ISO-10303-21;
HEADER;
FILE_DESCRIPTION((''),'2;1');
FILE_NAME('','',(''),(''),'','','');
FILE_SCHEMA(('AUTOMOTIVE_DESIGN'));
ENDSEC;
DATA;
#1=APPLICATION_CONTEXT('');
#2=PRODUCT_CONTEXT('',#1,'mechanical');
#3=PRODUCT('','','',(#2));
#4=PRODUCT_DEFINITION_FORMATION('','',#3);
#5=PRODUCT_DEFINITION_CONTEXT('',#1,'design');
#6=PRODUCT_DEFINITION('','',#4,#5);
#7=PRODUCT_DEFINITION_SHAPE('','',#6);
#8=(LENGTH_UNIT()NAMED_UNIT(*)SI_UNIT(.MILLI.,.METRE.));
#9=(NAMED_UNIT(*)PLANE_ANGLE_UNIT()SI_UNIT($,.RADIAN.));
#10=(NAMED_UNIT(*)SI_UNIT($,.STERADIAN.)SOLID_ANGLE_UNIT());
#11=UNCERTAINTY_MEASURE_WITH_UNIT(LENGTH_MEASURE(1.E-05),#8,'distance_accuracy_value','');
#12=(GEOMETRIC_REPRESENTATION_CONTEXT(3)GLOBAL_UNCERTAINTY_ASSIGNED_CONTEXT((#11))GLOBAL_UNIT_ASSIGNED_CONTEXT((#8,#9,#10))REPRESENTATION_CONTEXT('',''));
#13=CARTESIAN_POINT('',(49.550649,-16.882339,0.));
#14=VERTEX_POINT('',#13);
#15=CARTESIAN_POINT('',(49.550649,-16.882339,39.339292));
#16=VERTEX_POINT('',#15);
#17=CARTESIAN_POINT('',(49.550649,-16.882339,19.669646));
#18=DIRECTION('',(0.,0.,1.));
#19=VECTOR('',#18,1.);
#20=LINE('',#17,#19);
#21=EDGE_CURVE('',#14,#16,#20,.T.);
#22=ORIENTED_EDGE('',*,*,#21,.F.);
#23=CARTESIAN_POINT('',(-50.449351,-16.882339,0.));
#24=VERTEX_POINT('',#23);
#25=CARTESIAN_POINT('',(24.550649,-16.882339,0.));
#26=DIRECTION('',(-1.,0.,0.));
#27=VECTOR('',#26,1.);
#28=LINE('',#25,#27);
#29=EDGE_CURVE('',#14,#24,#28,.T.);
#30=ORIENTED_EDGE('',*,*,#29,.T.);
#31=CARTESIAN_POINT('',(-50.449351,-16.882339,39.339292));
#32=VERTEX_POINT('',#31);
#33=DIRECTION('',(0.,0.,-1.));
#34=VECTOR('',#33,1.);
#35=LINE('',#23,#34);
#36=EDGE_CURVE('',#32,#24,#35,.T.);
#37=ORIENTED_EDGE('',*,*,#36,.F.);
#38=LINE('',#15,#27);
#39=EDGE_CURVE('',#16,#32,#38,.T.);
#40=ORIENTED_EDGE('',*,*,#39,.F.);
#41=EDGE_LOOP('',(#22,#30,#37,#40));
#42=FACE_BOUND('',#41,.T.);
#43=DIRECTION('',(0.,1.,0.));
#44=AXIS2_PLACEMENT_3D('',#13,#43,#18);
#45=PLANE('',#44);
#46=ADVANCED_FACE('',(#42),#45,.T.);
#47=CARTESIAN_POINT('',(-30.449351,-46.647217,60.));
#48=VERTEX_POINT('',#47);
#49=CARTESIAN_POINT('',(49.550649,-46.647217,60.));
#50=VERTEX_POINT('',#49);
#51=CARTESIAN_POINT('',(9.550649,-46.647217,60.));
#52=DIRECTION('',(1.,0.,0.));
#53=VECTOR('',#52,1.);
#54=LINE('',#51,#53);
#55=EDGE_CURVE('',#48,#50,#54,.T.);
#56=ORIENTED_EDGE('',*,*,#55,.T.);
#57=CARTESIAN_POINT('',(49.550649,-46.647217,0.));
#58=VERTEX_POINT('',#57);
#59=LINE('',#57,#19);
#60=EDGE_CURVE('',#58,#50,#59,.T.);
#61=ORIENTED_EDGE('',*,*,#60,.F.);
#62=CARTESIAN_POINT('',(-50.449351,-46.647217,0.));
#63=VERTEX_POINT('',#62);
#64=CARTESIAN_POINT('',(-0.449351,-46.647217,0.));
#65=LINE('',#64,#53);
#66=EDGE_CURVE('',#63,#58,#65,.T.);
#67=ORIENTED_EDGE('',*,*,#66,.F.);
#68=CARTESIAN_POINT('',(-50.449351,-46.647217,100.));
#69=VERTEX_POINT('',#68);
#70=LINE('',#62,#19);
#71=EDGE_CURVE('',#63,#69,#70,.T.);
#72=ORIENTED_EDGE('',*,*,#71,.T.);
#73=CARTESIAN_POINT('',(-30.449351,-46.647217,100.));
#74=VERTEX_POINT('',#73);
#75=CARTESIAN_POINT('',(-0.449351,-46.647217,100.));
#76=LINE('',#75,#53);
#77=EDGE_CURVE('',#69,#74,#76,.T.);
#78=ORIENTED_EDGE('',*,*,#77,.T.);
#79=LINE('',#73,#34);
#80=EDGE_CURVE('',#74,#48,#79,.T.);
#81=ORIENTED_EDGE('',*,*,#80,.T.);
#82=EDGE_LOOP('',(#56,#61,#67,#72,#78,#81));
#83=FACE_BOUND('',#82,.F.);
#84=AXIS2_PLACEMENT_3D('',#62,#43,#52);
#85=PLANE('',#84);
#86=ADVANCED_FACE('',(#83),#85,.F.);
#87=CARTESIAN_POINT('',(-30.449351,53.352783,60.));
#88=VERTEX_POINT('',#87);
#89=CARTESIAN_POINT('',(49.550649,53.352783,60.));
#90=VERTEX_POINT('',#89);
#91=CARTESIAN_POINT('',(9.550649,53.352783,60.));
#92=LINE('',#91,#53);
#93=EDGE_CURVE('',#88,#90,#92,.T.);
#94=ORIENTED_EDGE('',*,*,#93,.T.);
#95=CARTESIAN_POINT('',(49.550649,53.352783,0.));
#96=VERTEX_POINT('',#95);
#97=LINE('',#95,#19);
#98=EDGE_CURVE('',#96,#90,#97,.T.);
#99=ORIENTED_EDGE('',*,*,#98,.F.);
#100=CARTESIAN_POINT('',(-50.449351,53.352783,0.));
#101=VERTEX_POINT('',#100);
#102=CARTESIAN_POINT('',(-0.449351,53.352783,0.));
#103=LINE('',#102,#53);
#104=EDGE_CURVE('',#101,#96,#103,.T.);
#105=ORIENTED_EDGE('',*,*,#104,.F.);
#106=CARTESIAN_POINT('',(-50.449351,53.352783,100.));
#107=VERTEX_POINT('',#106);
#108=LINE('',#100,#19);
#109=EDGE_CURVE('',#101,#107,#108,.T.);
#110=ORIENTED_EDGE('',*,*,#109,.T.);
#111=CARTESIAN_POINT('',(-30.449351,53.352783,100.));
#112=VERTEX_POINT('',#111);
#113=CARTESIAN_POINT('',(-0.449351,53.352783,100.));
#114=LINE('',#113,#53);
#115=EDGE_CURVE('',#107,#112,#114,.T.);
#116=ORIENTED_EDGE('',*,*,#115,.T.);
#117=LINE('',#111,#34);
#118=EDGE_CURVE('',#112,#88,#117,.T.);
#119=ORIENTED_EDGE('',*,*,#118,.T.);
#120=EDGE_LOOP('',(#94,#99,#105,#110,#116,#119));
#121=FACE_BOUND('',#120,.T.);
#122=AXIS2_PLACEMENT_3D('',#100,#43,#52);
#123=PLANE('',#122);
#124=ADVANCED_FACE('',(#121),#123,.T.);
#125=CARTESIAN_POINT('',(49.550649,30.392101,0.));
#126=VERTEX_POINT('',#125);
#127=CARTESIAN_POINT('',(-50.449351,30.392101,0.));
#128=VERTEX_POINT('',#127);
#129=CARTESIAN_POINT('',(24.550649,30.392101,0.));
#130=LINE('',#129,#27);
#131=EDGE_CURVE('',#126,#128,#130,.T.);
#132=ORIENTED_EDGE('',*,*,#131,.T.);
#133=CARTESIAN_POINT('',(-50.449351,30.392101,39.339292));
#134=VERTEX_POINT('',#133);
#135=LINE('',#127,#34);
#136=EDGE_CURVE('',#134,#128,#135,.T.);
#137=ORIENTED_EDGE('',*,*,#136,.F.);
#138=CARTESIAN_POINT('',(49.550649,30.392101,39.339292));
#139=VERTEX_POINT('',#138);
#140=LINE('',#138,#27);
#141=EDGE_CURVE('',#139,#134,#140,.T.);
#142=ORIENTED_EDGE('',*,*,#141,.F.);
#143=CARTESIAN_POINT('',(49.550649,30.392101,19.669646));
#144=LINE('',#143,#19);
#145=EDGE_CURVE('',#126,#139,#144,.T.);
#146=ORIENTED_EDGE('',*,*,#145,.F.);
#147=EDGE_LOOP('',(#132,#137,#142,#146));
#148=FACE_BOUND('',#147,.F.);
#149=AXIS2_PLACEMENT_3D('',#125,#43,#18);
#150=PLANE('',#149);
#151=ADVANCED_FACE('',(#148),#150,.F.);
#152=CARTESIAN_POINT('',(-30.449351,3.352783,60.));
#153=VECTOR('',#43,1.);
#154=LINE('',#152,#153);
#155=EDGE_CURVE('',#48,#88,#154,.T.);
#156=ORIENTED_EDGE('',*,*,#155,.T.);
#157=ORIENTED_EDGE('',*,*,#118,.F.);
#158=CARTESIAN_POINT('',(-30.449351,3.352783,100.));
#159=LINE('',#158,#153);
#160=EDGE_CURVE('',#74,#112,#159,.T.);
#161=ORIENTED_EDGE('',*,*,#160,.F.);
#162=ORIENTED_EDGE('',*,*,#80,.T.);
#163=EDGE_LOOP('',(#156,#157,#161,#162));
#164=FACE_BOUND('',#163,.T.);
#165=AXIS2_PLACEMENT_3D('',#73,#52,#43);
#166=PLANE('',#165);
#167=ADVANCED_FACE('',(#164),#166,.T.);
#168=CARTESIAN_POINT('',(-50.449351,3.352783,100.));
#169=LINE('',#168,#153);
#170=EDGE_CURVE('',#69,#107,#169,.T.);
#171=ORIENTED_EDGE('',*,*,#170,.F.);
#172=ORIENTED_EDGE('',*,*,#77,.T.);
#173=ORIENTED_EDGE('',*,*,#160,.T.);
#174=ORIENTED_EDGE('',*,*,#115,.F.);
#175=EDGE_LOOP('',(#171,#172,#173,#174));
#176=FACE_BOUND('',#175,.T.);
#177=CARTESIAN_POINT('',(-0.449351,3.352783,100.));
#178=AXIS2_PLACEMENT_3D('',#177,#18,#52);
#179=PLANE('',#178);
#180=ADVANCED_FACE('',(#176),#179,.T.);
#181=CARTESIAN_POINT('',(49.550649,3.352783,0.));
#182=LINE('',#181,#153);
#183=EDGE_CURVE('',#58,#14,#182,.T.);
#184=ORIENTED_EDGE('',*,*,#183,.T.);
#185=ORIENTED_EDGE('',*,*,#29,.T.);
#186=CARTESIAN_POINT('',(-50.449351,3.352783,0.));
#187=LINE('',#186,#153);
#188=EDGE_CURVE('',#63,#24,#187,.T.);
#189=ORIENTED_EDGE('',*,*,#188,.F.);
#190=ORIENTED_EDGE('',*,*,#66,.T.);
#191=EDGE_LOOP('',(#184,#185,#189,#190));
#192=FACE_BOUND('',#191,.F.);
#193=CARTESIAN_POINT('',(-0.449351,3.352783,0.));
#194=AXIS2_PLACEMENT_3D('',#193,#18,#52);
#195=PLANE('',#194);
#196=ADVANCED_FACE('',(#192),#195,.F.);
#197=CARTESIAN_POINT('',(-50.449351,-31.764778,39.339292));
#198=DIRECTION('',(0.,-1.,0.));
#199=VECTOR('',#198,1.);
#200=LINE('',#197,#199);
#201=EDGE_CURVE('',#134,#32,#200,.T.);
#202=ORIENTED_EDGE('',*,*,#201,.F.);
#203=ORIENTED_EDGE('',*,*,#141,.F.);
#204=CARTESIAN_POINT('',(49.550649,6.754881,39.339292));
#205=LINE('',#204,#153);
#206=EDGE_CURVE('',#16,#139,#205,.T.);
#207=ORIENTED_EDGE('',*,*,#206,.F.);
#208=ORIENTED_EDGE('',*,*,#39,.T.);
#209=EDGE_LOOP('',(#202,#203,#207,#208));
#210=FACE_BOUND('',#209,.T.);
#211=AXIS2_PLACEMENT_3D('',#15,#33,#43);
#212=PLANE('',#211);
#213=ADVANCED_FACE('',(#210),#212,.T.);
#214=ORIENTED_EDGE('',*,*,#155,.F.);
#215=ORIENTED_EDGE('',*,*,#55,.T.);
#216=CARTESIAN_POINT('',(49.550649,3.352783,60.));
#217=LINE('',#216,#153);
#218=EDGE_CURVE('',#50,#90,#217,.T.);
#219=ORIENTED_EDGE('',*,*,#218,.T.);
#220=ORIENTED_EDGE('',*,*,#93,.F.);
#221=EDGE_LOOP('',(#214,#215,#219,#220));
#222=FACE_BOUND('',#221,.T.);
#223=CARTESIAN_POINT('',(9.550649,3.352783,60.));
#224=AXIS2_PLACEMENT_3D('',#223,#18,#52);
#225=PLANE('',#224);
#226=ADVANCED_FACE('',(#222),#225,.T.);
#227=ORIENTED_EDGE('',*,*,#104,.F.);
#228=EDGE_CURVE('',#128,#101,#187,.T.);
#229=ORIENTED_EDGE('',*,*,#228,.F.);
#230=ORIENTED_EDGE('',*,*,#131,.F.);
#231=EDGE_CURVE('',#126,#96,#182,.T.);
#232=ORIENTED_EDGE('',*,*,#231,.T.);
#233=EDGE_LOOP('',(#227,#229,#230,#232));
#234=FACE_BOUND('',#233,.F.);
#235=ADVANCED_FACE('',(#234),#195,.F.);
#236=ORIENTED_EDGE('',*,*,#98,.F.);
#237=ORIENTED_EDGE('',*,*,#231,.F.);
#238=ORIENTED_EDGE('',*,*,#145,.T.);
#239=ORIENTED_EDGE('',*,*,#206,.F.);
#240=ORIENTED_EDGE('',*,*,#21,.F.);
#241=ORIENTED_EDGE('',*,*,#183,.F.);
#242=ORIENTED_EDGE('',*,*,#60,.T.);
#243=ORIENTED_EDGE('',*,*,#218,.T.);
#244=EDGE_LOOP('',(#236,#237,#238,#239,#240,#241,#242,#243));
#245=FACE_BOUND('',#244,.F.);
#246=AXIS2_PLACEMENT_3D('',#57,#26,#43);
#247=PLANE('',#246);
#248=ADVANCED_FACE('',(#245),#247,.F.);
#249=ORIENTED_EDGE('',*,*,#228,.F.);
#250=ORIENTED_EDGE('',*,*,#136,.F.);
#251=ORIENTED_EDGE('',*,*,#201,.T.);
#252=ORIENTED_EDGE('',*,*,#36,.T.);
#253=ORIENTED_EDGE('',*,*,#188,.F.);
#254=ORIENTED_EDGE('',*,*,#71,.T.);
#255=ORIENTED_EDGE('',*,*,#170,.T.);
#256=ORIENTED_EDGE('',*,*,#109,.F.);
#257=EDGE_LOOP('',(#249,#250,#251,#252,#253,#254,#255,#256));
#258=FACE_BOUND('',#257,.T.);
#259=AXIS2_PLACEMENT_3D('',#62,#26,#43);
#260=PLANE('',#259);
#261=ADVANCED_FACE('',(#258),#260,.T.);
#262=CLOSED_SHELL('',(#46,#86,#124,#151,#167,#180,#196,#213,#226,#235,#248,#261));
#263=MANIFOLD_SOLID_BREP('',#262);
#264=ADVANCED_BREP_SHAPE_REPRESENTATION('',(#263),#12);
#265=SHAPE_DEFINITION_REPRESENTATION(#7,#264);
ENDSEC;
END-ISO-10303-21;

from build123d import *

# Parameters (mm, degrees)
F0_W     = 100
F0_H     = 100
F1_DEPTH = 100
F2_W     = 80
F2_H     = 100
F3_DEPTH = 40
F4_W     = 47.27444
F4_H     = 39.339293
F5_DEPTH = 100.001


with BuildPart() as f1:
    # F0 (on Top) → F1 (new body)
    with BuildSketch(Plane.XY):
        with Locations((-0.449351, 3.352783)):
            Rectangle(F0_W, F0_H)
    extrude(amount=F1_DEPTH)

    # F2 (on face) → F3 (cut)
    with BuildSketch(Plane.XY.offset(100)):
        with Locations((9.550649, 3.352783)):
            Rectangle(F2_W, F2_H)
    extrude(amount=-F3_DEPTH, mode=Mode.SUBTRACT)

    # F4 (on face) → F5 (cut, through all)
    with BuildSketch(Plane.YZ.offset(49.550649)):
        with Locations((6.754881, 19.669646)):
            Rectangle(F4_W, F4_H)
    extrude(amount=-F5_DEPTH, mode=Mode.SUBTRACT)


solid = f1.part
